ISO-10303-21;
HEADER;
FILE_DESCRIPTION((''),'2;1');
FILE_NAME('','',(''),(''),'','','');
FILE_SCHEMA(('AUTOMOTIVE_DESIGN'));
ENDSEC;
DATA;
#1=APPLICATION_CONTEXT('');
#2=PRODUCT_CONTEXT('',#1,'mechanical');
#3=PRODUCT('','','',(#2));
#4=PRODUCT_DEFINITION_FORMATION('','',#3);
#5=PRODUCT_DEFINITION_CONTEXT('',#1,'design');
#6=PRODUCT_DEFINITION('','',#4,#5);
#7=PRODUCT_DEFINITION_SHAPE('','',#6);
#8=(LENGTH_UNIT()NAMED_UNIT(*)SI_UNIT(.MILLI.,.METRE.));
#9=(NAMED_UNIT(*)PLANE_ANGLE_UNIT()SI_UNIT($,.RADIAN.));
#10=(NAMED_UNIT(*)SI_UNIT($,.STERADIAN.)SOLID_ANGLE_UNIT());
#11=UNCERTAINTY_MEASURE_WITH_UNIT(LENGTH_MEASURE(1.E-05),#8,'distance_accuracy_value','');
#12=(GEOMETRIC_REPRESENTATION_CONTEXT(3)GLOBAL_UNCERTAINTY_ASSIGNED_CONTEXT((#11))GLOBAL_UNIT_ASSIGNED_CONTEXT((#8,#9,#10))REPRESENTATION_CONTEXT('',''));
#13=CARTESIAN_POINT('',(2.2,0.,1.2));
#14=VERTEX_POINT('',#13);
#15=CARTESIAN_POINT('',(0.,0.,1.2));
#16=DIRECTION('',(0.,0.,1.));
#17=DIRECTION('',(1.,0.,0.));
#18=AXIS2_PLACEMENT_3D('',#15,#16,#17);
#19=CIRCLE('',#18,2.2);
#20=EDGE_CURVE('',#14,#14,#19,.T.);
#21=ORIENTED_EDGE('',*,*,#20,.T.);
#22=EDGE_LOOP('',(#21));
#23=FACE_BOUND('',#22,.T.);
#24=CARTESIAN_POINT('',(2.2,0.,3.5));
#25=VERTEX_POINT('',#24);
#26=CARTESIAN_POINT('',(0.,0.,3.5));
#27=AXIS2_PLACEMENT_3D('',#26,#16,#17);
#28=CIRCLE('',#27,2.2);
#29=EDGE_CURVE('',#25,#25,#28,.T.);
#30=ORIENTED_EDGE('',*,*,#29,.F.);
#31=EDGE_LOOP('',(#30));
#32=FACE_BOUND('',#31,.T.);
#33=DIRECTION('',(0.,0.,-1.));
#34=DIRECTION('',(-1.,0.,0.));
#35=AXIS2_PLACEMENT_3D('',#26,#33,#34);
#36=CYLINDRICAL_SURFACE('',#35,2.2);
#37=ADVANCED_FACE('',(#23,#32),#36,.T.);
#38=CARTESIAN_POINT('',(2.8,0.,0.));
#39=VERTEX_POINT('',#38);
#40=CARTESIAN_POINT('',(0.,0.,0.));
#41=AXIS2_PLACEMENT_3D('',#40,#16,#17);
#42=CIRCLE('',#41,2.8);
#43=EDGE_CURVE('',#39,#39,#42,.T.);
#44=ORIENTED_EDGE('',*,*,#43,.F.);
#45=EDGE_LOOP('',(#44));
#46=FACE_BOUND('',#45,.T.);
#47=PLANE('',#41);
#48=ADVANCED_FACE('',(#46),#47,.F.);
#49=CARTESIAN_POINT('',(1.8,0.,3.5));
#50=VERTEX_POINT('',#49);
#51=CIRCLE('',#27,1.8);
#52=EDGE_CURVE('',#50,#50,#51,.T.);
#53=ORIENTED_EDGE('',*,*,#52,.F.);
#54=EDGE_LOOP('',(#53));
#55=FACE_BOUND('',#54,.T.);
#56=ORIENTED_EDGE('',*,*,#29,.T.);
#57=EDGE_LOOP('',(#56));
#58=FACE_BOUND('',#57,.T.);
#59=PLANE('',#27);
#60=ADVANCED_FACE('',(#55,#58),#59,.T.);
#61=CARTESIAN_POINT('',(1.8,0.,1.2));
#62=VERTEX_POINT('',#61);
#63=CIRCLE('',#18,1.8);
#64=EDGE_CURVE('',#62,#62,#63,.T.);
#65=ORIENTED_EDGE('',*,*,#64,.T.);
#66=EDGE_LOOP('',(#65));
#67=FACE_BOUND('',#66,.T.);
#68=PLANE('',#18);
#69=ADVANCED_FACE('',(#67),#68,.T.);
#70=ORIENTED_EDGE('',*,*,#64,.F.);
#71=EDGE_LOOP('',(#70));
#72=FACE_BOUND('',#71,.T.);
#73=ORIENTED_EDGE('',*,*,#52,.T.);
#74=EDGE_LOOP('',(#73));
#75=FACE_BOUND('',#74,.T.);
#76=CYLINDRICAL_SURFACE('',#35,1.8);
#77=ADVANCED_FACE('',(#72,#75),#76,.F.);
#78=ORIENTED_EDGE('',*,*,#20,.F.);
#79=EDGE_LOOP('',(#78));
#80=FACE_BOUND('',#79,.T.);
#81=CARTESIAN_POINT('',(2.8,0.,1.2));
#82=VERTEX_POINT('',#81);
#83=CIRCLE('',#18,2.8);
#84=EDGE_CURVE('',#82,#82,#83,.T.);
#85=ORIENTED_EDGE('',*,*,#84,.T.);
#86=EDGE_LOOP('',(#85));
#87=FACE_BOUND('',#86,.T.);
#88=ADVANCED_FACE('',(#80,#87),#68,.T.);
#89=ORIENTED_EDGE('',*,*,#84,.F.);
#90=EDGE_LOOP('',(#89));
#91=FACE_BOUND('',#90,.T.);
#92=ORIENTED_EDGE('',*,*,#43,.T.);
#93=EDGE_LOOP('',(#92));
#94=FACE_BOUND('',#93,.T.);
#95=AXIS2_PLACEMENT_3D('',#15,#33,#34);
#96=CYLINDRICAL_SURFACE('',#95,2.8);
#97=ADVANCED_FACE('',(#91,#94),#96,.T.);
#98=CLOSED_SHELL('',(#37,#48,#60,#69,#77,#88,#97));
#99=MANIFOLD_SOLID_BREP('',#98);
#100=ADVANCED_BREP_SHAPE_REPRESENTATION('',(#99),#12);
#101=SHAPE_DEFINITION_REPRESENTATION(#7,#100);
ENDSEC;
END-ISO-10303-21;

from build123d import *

# Parameters (mm, degrees)
SKETCH_1_R      = 2.2
SKETCH_1_R_2    = 1.8
EXTRUDE_2_DEPTH = 3.5
SKETCH_1_6_R    = 2.8
EXTRUDE_3_DEPTH = 1.2


with BuildPart() as part:
    # Эскиз1 → Бобышка-Вытянуть2 (new body)
    with BuildSketch(Plane.XY):
        Circle(SKETCH_1_R)
        Circle(SKETCH_1_R_2, mode=Mode.SUBTRACT)
    extrude(amount=EXTRUDE_2_DEPTH)

    # Эскиз1<6> → Бобышка-Вытянуть3 (add)
    with BuildSketch(Plane.XY):
        Circle(SKETCH_1_6_R)
    extrude(amount=EXTRUDE_3_DEPTH)


solid = part.part
